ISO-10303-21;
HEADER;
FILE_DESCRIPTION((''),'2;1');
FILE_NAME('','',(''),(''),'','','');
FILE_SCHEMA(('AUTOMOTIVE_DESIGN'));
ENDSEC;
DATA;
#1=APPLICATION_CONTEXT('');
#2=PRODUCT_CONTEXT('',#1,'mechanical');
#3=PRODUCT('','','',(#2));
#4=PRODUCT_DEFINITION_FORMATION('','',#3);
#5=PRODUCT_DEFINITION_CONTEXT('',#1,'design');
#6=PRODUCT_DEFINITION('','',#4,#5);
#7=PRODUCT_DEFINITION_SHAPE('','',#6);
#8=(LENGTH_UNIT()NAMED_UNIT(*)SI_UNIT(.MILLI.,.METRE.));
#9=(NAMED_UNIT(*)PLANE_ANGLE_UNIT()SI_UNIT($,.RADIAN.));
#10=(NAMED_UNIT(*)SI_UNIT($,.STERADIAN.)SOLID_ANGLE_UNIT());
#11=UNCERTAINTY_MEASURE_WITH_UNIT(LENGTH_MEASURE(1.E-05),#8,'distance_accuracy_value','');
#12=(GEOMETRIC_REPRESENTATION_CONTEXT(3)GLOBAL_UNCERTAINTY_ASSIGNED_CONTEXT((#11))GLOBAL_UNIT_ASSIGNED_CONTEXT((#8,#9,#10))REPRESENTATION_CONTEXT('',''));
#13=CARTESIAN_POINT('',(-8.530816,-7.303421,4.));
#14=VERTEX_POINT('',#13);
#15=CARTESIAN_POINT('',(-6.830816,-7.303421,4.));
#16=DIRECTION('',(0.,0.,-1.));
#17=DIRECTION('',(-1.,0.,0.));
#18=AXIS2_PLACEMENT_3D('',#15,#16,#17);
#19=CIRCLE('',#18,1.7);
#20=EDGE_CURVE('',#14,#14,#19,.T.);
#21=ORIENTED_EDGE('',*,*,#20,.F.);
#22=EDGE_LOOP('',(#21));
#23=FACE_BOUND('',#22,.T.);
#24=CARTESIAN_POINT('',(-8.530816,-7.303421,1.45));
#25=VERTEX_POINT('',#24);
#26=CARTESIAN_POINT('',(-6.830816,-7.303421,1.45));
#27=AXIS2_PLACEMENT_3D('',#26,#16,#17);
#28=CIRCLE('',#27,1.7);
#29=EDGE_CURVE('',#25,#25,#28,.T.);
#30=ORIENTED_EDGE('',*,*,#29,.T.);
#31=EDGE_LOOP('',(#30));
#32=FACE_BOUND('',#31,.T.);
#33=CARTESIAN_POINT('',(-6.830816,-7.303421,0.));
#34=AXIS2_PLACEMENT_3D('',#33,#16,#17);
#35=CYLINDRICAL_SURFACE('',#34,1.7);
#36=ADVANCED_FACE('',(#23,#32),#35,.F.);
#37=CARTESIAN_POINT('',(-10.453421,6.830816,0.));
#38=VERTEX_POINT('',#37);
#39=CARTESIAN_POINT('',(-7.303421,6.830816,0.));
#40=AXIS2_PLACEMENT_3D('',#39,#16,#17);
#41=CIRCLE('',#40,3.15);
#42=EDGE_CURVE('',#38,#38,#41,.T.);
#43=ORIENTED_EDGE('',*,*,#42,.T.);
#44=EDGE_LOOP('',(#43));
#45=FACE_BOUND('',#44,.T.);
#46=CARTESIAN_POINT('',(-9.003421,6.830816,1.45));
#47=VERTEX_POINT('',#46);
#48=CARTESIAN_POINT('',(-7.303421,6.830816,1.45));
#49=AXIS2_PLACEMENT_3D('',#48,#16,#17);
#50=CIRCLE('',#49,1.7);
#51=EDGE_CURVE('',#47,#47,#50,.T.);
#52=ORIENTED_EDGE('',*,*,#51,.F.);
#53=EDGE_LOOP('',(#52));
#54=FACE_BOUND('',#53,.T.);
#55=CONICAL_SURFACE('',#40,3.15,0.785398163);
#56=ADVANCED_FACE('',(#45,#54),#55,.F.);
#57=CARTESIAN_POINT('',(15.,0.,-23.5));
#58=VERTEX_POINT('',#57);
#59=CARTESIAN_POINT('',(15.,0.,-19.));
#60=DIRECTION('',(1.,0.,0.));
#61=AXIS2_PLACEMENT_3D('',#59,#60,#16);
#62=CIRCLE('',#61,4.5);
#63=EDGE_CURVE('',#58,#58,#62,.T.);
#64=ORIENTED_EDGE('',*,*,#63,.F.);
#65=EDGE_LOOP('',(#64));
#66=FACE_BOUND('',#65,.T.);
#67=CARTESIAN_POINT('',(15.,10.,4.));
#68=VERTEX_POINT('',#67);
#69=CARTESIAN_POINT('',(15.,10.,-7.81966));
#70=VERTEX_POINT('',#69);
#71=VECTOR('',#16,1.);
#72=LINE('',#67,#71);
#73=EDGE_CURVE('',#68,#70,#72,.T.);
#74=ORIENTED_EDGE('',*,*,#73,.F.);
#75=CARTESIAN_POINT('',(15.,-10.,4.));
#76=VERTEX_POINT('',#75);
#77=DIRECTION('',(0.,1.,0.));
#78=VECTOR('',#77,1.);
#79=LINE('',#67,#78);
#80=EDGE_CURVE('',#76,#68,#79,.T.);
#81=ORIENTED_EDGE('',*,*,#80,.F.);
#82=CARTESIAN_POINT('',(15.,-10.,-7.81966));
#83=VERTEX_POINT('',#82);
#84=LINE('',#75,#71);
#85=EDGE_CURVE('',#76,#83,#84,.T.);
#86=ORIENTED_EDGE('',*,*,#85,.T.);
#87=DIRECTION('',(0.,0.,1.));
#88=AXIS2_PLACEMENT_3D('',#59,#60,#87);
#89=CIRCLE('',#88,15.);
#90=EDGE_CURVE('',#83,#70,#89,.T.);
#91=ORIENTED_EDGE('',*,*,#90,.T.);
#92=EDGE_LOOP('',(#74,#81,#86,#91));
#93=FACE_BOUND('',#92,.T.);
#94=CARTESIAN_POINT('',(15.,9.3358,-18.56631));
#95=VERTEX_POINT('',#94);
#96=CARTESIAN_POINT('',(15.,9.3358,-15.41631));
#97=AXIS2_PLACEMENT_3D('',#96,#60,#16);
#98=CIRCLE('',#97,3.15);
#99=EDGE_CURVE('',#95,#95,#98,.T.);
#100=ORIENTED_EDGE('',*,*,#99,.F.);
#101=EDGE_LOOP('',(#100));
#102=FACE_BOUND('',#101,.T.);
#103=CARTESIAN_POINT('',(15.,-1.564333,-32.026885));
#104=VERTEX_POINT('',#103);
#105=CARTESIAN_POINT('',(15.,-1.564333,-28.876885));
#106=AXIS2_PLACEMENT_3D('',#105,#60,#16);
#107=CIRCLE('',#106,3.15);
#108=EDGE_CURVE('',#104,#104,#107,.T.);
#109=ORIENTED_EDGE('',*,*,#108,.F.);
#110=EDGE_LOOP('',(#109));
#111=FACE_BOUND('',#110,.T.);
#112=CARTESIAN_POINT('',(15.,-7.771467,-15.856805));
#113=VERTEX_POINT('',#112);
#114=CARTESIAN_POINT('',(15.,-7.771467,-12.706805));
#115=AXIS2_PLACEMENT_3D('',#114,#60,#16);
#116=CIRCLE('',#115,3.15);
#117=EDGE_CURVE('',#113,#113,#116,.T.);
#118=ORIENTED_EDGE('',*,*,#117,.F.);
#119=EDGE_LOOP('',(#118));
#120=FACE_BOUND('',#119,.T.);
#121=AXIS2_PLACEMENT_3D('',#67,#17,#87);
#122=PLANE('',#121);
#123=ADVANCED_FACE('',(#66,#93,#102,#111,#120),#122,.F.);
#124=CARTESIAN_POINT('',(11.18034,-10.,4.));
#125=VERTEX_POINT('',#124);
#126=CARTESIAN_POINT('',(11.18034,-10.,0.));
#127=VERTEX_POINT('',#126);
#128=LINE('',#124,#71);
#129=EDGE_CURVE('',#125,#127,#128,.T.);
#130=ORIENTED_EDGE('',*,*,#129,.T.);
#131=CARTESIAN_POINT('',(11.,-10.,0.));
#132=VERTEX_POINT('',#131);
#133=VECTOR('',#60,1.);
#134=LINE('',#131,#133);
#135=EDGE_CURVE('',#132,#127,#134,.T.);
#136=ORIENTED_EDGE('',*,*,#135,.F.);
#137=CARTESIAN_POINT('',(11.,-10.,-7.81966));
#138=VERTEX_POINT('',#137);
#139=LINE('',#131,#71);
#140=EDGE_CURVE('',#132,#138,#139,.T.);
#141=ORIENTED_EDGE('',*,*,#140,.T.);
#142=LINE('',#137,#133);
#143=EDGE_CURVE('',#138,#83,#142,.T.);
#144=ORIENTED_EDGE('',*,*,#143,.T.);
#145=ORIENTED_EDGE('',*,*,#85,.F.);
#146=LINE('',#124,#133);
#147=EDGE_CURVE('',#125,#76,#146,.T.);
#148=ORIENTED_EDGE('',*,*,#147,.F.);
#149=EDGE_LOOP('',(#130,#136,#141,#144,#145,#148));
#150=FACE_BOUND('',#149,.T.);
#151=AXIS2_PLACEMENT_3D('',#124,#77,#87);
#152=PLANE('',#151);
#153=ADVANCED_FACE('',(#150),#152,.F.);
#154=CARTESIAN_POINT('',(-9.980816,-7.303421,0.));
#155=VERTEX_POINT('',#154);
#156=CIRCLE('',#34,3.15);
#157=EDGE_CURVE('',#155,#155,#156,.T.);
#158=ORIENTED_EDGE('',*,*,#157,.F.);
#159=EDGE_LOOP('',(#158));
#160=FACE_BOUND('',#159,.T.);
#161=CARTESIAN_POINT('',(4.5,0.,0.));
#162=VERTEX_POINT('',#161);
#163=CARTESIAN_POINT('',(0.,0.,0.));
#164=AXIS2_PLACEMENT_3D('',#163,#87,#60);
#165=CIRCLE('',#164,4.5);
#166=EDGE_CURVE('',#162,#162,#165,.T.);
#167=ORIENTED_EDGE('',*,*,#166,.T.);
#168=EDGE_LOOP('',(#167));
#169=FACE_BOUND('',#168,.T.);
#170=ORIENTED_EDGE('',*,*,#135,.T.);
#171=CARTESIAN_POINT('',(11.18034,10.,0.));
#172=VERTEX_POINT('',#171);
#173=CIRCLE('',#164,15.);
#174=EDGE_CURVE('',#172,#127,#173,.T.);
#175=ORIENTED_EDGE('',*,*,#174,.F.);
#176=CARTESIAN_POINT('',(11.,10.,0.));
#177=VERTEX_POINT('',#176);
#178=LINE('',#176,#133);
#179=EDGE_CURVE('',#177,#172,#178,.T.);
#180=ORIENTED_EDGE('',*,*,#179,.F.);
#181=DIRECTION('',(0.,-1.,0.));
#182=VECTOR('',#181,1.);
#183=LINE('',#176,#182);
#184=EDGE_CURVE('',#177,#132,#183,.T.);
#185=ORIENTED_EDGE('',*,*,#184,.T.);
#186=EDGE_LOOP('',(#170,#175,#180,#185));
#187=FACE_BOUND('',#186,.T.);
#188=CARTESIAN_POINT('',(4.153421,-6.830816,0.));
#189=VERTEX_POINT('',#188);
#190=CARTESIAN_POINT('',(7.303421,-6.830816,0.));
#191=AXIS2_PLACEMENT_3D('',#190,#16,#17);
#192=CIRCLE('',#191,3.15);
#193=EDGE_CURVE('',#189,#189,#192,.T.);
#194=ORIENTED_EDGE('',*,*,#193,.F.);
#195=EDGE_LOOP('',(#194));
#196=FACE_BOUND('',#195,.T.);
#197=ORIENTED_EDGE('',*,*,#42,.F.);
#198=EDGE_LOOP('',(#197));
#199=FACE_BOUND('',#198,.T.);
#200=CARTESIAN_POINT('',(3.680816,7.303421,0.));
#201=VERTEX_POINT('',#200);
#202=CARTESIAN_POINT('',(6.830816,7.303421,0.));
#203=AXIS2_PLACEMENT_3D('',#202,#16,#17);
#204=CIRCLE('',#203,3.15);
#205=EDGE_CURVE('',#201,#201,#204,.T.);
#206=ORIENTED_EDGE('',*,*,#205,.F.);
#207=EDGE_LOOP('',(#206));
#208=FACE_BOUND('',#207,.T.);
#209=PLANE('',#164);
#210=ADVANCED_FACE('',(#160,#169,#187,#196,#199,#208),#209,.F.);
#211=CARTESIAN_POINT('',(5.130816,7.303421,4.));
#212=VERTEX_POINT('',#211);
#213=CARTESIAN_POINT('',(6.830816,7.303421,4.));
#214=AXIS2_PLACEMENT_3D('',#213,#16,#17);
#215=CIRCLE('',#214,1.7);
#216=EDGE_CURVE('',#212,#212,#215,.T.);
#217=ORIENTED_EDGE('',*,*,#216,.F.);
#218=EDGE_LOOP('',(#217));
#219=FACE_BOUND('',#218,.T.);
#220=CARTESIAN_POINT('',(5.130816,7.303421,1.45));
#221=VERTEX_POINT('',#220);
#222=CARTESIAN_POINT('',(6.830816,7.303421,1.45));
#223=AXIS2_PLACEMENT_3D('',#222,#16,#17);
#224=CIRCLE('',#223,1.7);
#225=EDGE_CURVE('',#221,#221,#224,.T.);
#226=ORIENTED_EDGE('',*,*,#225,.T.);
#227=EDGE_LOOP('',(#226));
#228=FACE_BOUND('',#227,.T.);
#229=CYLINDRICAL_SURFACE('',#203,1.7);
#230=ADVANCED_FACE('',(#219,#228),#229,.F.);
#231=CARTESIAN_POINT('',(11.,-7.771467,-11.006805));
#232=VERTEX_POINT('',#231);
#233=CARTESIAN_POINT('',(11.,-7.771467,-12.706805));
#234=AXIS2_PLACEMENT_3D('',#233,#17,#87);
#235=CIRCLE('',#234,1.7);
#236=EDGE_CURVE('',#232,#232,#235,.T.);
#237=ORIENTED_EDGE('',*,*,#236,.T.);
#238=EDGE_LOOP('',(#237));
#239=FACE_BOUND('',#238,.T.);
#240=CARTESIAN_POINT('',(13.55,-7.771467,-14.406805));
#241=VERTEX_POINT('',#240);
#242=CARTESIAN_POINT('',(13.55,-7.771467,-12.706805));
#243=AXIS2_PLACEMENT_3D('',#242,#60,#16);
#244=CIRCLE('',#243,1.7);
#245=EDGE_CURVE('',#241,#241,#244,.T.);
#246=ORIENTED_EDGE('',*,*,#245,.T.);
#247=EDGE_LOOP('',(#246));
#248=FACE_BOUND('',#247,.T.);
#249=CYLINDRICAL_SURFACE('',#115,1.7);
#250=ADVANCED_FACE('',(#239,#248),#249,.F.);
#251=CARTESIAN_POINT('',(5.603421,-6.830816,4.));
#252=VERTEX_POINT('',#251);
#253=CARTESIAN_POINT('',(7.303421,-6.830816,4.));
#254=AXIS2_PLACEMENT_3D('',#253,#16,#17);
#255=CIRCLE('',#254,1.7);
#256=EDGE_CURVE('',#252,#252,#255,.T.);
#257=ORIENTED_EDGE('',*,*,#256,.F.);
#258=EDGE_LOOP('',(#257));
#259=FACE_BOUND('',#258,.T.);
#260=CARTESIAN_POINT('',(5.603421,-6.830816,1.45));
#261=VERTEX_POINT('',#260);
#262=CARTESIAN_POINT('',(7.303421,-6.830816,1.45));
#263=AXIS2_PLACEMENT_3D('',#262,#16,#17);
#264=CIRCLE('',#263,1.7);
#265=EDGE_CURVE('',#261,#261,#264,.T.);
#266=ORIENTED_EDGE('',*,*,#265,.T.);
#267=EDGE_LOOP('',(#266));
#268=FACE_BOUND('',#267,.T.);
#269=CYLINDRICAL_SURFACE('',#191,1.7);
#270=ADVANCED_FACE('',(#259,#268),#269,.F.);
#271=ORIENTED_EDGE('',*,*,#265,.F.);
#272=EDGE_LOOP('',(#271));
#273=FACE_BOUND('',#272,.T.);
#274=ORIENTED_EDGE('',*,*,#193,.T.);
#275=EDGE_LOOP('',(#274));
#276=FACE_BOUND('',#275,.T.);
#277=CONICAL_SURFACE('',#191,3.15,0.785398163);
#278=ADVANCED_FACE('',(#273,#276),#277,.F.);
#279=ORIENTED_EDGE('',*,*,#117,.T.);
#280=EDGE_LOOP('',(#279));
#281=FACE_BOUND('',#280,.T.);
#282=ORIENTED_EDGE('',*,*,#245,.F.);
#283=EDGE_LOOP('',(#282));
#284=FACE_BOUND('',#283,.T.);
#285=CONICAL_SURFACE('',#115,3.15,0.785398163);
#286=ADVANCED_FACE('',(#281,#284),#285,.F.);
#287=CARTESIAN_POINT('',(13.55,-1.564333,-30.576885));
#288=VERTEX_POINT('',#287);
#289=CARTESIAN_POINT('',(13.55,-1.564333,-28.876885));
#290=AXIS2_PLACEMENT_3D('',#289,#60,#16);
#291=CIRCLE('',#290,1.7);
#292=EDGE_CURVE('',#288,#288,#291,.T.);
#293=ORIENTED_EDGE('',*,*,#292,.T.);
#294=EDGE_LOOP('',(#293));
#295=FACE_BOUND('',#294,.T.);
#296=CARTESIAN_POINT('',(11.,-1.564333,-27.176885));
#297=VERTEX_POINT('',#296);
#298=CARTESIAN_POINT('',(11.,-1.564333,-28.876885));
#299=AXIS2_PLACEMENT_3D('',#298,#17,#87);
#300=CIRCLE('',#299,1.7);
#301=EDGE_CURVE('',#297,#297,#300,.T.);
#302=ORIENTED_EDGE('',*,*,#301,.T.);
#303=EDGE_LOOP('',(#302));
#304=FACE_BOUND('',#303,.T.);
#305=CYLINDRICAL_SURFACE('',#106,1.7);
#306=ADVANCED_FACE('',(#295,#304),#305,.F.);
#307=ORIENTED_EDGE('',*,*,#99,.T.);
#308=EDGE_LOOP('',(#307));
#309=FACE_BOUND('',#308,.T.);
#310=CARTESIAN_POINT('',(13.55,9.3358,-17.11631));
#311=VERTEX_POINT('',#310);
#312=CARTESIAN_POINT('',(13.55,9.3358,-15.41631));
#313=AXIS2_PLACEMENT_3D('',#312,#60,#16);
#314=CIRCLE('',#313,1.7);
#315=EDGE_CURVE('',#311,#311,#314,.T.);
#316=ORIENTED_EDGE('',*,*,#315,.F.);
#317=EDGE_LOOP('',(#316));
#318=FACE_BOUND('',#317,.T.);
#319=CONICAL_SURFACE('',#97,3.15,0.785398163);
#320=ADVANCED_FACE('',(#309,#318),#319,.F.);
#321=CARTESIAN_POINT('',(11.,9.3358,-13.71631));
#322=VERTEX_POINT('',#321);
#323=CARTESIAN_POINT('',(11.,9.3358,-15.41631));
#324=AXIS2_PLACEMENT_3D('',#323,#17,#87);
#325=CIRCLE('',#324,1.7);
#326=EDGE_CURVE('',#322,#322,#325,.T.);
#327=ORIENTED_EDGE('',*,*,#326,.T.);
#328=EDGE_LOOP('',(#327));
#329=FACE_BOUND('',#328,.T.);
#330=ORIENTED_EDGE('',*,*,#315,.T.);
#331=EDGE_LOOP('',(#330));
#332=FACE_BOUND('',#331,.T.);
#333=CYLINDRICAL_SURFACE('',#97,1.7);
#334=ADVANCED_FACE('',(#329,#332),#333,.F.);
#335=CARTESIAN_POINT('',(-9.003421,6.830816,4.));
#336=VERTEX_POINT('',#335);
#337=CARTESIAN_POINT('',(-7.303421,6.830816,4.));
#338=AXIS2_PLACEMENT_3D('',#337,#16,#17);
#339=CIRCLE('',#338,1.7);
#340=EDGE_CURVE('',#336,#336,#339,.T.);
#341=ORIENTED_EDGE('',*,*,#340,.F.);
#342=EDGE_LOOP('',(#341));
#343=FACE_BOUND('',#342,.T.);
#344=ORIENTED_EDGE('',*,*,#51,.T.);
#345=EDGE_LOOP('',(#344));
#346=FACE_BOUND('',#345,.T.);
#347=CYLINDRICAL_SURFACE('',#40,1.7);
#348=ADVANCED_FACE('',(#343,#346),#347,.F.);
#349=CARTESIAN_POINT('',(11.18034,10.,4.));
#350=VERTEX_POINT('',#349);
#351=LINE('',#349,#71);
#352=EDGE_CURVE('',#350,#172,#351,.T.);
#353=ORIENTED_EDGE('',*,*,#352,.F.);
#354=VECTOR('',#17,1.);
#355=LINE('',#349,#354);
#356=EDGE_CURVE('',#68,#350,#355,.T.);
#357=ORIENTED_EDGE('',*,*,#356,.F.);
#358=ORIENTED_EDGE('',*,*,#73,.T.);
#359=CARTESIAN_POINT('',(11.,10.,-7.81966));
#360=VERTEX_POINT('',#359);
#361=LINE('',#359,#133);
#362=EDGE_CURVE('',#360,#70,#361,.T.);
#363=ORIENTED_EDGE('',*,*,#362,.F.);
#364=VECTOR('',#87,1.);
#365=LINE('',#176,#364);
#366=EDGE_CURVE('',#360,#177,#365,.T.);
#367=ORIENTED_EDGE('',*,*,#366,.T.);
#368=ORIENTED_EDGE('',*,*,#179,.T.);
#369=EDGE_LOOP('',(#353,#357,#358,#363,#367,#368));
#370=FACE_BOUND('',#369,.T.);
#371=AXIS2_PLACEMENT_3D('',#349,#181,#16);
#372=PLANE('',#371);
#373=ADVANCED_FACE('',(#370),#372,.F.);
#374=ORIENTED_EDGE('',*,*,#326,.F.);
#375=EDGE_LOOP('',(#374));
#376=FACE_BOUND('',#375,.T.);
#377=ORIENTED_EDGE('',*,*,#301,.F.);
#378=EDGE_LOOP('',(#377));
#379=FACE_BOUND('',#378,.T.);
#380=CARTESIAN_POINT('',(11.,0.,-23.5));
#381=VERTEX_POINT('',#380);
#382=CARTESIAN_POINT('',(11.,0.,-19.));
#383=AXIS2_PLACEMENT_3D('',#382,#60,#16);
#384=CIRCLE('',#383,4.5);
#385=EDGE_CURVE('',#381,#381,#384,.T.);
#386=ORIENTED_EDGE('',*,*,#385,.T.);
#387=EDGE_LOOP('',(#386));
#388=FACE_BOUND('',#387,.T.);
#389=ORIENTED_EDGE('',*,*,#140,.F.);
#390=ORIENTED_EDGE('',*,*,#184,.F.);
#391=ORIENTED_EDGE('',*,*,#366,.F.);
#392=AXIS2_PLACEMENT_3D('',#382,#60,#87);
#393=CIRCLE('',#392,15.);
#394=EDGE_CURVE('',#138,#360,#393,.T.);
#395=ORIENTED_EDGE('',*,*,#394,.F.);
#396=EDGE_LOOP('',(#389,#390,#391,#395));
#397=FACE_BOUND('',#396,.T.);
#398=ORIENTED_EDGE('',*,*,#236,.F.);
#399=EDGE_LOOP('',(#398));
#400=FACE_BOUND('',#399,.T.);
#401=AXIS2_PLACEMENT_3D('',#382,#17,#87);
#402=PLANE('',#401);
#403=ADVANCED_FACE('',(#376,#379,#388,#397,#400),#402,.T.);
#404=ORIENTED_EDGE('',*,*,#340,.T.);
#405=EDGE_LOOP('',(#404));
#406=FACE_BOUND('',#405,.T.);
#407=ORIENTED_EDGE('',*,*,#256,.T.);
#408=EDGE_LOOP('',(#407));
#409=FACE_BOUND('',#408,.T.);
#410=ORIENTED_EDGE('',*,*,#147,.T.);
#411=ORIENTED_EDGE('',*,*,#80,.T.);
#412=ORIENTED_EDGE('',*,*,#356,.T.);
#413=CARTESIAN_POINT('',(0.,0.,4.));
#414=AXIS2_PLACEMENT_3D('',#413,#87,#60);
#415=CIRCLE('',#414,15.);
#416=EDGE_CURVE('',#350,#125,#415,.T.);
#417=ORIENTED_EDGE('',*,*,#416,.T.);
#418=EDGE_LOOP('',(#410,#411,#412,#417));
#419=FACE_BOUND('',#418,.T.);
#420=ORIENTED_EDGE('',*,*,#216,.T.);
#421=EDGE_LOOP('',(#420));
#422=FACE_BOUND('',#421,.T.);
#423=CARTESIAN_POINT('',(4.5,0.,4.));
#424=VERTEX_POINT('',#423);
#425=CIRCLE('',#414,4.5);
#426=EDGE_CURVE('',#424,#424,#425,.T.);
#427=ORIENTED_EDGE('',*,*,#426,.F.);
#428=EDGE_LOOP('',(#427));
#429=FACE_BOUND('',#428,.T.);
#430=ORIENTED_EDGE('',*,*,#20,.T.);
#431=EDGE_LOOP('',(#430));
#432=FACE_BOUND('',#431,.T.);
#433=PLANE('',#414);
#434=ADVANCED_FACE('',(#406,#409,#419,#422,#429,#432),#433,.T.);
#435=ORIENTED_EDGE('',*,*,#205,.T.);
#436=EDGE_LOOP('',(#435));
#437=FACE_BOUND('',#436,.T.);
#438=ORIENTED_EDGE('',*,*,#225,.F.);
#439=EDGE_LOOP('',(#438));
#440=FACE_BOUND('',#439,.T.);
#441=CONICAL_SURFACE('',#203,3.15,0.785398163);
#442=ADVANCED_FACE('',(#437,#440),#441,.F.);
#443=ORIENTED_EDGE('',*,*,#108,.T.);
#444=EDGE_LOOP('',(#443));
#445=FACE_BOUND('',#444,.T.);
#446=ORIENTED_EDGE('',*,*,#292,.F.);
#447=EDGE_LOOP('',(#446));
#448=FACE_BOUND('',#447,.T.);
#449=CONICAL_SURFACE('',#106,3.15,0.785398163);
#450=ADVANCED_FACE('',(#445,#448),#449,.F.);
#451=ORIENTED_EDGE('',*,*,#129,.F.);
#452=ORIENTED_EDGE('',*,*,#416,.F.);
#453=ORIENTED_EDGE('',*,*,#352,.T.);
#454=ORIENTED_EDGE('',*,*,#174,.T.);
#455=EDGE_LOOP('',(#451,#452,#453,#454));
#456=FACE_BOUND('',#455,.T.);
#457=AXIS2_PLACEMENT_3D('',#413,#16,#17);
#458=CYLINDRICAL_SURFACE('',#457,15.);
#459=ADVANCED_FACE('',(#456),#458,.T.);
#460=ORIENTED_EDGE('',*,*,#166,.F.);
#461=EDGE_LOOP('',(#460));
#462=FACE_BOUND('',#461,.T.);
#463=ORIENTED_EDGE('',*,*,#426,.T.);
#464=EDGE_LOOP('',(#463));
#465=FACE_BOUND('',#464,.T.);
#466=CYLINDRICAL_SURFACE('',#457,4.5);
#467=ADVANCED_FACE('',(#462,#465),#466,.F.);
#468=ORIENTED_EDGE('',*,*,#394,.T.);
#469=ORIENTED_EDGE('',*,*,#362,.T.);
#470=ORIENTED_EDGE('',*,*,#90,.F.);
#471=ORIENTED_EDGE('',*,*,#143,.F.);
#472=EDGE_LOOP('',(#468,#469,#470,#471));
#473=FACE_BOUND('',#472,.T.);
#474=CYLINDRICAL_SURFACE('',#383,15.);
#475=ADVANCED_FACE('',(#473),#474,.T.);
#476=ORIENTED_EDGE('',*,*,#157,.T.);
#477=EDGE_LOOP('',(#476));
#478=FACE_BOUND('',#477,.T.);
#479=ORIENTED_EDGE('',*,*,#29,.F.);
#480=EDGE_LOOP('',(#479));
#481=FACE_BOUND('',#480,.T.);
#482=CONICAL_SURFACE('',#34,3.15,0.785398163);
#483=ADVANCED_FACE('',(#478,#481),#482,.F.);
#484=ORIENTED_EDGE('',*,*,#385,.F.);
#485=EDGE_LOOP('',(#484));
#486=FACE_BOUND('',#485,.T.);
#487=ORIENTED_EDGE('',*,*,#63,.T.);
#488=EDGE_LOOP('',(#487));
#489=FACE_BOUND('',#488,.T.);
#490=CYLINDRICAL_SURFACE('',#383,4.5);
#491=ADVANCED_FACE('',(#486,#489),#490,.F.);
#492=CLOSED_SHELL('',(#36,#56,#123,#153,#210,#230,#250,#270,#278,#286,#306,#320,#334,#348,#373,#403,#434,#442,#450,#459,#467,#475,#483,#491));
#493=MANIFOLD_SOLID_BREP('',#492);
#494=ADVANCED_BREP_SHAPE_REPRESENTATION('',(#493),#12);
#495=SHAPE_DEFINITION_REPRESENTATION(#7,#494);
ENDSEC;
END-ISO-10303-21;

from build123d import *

# Parameters (mm, degrees)
ESQUISSE1_R                                    = 4.5
ESQUISSE1_R_2                                  = 1.5
BOSS_EXTRU_1_DEPTH                             = 4
ESQUISSE3_R                                    = 4.5
ESQUISSE3_R_2                                  = 1.500083245
BOSS_EXTRU_2_DEPTH                             = 4
FRAISAGE_POUR_VIS_T_TE_FRAIS_E_M31_D           = 3.4
FRAISAGE_POUR_VIS_T_TE_FRAIS_E_M31_CSINK_D     = 6.3
FRAISAGE_POUR_VIS_T_TE_FRAIS_E_M31_CSINK_ANGLE = 90
FRAISAGE_POUR_VIS_T_TE_FRAIS_E_M32_D           = 3.4
FRAISAGE_POUR_VIS_T_TE_FRAIS_E_M32_CSINK_D     = 6.3
FRAISAGE_POUR_VIS_T_TE_FRAIS_E_M32_CSINK_ANGLE = 90


with BuildPart() as part:
    # Esquisse1 → Boss.-Extru.1 (new body)
    with BuildSketch(Plane.XY):
        with BuildLine():
            Line((11.180339887, 10), (15, 10))
            Line((15, 10), (15, -10))
            Line((15, -10), (11.180339887, -10))
            ThreePointArc((11.180339887, -10), (-15, 0), (11.180339887, 10))
        make_face()
        Circle(ESQUISSE1_R, mode=Mode.SUBTRACT)
        with Locations((-7.303420571, 6.830816054)):
            Circle(ESQUISSE1_R_2, mode=Mode.SUBTRACT)
        with Locations((6.830816054, 7.303420571)):
            Circle(ESQUISSE1_R_2, mode=Mode.SUBTRACT)
        with Locations((7.303420571, -6.830816054)):
            Circle(ESQUISSE1_R_2, mode=Mode.SUBTRACT)
        with Locations((-6.830816054, -7.303420571)):
            Circle(ESQUISSE1_R_2, mode=Mode.SUBTRACT)
    extrude(amount=BOSS_EXTRU_1_DEPTH)

    # Esquisse3 → Boss.-Extru.2 (add)
    with BuildSketch(Plane(origin=(15, 0, 0), x_dir=(0, 0, -1), z_dir=(1, 0, 0))):
        with BuildLine():
            Line((0, 10), (7.819660113, 10))
            ThreePointArc((7.819660113, 10), (34, 0), (7.819660113, -10))
            Line((7.819660113, -10), (0, -10))
            Line((0, -10), (0, 10))
        make_face()
        with Locations((19, 0)):
            Circle(ESQUISSE3_R, mode=Mode.SUBTRACT)
        with Locations((15.416309522, 9.335800049)):
            Circle(ESQUISSE3_R_2, mode=Mode.SUBTRACT)
        with Locations((28.876885246, -1.564333031)):
            Circle(ESQUISSE3_R_2, mode=Mode.SUBTRACT)
        with Locations((12.706805232, -7.771467018)):
            Circle(ESQUISSE3_R_2, mode=Mode.SUBTRACT)
    extrude(amount=-BOSS_EXTRU_2_DEPTH)

    # Fraisage pour vis à tête fraisée M31 (through all)
    with Locations(Plane(origin=(0, 0, 0), x_dir=(-1, 0, 0), z_dir=(0, 0, -1))):
        with Locations((-6.830816054, 7.303420571), (7.303420571, 6.830816054), (6.830816054, -7.303420571), (-7.303420571, -6.830816054)):
            CounterSinkHole(FRAISAGE_POUR_VIS_T_TE_FRAIS_E_M31_D / 2, FRAISAGE_POUR_VIS_T_TE_FRAIS_E_M31_CSINK_D / 2, counter_sink_angle=FRAISAGE_POUR_VIS_T_TE_FRAIS_E_M31_CSINK_ANGLE)

    # Fraisage pour vis à tête fraisée M32 (through all)
    with Locations(Plane(origin=(15, 0, 0), x_dir=(0, 0, -1), z_dir=(1, 0, 0))):
        with Locations((15.416309522, 9.335800049), (28.876885246, -1.564333031), (12.706805232, -7.771467018)):
            CounterSinkHole(FRAISAGE_POUR_VIS_T_TE_FRAIS_E_M32_D / 2, FRAISAGE_POUR_VIS_T_TE_FRAIS_E_M32_CSINK_D / 2, counter_sink_angle=FRAISAGE_POUR_VIS_T_TE_FRAIS_E_M32_CSINK_ANGLE)


solid = part.part
